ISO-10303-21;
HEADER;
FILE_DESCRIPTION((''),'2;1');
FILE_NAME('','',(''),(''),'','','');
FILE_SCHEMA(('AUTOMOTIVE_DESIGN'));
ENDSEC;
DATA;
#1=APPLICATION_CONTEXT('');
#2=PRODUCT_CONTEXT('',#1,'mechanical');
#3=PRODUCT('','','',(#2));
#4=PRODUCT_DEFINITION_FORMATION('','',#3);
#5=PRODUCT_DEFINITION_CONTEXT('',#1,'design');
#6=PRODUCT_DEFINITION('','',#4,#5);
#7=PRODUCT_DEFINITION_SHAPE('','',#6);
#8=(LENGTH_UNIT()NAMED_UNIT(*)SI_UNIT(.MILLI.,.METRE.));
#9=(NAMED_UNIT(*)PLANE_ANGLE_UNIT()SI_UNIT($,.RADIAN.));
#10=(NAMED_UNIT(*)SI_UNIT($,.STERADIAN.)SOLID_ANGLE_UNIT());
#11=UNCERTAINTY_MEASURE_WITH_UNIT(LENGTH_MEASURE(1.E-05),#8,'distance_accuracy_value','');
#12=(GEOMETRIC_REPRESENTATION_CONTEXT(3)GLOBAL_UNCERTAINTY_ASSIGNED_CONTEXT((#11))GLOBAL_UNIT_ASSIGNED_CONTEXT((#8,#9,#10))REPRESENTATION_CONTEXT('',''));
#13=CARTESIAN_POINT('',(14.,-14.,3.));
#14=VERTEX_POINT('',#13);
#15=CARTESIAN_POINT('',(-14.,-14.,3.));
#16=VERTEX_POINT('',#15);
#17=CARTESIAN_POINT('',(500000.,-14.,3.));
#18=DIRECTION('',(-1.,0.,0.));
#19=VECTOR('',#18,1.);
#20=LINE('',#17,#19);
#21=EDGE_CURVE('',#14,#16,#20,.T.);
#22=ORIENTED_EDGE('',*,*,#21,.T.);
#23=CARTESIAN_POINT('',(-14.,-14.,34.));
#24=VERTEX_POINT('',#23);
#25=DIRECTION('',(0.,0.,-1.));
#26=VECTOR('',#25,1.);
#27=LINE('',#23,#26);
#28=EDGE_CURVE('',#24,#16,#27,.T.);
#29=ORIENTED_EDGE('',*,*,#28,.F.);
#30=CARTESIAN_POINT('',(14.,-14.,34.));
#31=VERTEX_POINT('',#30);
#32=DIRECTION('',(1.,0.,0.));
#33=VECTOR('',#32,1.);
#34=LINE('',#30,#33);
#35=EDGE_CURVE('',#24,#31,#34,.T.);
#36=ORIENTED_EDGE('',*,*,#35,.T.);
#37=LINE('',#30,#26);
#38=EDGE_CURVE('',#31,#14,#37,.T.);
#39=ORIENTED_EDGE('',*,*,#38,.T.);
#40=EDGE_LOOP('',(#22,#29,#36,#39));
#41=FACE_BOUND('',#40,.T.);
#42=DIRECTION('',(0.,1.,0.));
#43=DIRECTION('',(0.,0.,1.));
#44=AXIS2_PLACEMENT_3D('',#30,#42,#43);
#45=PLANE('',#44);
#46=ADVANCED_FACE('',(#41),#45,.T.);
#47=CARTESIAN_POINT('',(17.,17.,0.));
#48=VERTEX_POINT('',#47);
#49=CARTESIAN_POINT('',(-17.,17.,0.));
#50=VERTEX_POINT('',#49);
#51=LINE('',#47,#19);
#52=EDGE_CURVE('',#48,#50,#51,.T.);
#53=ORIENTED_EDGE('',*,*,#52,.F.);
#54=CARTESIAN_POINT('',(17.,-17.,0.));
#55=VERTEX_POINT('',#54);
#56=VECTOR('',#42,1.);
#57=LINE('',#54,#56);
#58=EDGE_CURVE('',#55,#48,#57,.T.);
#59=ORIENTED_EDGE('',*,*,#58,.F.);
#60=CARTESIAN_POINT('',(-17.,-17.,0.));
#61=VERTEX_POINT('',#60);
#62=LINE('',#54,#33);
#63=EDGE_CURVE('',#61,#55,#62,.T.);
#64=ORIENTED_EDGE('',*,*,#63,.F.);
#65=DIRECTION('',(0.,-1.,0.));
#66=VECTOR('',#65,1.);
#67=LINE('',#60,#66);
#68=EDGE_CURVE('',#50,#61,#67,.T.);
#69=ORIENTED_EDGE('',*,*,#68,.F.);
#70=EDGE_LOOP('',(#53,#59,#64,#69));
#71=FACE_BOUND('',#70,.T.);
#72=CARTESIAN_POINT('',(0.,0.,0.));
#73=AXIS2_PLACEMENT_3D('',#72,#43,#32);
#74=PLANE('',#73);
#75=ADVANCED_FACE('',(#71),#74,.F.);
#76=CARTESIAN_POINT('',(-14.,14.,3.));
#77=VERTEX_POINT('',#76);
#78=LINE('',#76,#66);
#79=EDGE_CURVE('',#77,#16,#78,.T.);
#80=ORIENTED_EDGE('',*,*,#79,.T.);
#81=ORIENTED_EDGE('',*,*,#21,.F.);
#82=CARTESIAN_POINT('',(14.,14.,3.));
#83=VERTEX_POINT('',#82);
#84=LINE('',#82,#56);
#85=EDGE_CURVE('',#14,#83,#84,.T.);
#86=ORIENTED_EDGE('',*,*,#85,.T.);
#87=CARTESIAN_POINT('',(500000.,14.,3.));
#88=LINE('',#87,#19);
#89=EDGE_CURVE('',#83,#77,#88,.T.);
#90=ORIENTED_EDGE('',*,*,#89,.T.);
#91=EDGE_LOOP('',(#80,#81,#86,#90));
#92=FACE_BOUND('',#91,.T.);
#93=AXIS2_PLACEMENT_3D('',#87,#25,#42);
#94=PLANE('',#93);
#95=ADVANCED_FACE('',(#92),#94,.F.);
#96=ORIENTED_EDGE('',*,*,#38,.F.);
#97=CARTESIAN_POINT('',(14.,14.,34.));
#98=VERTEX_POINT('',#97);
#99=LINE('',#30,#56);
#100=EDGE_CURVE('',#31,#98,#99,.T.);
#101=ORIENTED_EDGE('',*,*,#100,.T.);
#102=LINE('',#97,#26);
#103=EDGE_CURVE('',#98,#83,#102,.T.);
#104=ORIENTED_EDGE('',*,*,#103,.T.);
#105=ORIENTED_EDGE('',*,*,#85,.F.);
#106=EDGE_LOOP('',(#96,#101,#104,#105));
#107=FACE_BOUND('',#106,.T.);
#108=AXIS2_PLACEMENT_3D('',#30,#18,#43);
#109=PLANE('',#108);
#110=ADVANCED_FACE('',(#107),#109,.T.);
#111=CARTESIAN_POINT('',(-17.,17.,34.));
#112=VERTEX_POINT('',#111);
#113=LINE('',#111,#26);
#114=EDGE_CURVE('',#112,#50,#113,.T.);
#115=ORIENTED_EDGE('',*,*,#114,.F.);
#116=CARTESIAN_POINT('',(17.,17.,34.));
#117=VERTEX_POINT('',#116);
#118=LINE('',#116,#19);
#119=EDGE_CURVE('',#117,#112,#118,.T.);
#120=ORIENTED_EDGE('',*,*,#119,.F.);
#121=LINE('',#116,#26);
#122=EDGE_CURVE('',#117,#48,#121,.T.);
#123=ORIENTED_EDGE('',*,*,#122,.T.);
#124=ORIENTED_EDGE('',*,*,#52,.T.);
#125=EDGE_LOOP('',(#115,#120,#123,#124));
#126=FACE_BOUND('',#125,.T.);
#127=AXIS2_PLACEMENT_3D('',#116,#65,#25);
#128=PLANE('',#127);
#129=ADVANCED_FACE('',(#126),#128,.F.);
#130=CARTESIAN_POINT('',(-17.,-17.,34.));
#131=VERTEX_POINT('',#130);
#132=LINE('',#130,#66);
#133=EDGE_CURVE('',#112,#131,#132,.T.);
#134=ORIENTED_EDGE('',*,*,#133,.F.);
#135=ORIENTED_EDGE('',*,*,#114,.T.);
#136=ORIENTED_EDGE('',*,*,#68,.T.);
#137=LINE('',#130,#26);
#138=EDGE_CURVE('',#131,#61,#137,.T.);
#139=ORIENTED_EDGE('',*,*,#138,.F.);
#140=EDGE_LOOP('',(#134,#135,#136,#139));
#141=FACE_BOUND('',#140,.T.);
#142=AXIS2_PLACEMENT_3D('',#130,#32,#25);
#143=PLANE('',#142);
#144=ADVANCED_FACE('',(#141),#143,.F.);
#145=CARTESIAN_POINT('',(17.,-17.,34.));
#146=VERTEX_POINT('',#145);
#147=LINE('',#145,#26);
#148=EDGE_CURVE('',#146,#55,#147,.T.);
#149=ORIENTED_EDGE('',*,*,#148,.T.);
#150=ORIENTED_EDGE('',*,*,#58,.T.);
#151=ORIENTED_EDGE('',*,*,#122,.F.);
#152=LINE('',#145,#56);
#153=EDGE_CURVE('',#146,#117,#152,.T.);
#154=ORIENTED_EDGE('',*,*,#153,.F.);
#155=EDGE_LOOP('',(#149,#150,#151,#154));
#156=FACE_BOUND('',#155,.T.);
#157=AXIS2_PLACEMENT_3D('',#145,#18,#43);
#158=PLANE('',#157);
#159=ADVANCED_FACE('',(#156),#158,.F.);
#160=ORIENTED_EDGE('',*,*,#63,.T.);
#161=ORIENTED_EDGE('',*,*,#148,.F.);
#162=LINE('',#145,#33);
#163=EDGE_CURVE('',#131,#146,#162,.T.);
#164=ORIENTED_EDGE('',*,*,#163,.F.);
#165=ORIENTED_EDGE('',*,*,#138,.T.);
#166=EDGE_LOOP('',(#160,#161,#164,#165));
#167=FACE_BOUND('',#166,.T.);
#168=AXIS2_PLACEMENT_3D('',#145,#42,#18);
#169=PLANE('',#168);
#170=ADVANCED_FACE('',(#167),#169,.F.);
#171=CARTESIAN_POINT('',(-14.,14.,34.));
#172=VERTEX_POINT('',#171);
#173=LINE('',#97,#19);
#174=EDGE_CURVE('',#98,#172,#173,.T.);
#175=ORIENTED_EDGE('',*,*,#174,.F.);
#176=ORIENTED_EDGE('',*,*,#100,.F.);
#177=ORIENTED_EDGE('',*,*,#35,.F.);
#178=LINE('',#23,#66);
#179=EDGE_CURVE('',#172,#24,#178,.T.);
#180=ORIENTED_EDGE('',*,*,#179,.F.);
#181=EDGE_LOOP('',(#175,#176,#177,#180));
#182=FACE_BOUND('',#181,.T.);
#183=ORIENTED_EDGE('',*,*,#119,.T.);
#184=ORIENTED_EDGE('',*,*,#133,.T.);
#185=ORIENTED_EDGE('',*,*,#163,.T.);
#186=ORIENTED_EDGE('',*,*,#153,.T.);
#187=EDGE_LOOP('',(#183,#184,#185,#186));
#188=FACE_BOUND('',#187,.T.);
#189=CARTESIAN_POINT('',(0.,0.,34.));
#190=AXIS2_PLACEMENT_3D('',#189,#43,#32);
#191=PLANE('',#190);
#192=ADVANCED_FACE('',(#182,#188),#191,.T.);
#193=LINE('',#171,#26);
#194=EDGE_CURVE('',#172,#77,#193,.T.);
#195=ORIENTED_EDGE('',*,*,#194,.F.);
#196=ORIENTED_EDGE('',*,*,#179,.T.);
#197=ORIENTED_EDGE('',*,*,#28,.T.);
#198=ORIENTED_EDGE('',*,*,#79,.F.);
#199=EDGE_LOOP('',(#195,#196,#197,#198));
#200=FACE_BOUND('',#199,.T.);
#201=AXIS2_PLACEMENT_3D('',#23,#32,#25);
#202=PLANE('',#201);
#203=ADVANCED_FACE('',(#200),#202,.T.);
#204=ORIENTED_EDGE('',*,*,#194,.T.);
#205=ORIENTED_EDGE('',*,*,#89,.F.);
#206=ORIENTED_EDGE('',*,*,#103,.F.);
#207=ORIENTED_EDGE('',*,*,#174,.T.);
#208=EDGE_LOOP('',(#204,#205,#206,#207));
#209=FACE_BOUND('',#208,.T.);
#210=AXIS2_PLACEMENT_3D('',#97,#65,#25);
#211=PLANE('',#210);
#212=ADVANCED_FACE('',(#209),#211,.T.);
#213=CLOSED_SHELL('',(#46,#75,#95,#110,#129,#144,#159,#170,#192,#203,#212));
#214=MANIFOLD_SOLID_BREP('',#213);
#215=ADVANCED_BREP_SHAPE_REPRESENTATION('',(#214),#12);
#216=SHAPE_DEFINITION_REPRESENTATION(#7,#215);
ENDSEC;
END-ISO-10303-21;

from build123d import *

# Parameters (mm, degrees)
SKETCH_1_W      = 34
SKETCH_1_H      = 34
SKETCH_1_W_2    = 28
SKETCH_1_H_2    = 28
EXTRUDE_1_DEPTH = 34
EXTRUDE_2_REACH = 33
SKETCH_2_W      = 3
SKETCH_2_H      = 28


with BuildPart() as part:
    # 草图1 → 凸台-拉伸1 (new body)
    with BuildSketch(Plane.XY):
        Rectangle(SKETCH_1_W, SKETCH_1_H)
        Rectangle(SKETCH_1_W_2, SKETCH_1_H_2, mode=Mode.SUBTRACT)
    extrude(amount=EXTRUDE_1_DEPTH)

    # 草图2 → 凸台-拉伸2 (add, up to next)
    with BuildSketch(Plane(origin=(-14, 0, 0), x_dir=(0, 0, -1), z_dir=(1, 0, 0)), mode=Mode.PRIVATE) as extrude_2_sk1:
        with Locations((-1.5, 0)):
            Rectangle(SKETCH_2_W, SKETCH_2_H)
    extrude_2_tool1 = extrude(extrude_2_sk1.sketch, amount=EXTRUDE_2_REACH, mode=Mode.PRIVATE) - part.part
    add(extrude_2_tool1.solids().sort_by_distance((-14, 0, 1.5))[0])


solid = part.part
